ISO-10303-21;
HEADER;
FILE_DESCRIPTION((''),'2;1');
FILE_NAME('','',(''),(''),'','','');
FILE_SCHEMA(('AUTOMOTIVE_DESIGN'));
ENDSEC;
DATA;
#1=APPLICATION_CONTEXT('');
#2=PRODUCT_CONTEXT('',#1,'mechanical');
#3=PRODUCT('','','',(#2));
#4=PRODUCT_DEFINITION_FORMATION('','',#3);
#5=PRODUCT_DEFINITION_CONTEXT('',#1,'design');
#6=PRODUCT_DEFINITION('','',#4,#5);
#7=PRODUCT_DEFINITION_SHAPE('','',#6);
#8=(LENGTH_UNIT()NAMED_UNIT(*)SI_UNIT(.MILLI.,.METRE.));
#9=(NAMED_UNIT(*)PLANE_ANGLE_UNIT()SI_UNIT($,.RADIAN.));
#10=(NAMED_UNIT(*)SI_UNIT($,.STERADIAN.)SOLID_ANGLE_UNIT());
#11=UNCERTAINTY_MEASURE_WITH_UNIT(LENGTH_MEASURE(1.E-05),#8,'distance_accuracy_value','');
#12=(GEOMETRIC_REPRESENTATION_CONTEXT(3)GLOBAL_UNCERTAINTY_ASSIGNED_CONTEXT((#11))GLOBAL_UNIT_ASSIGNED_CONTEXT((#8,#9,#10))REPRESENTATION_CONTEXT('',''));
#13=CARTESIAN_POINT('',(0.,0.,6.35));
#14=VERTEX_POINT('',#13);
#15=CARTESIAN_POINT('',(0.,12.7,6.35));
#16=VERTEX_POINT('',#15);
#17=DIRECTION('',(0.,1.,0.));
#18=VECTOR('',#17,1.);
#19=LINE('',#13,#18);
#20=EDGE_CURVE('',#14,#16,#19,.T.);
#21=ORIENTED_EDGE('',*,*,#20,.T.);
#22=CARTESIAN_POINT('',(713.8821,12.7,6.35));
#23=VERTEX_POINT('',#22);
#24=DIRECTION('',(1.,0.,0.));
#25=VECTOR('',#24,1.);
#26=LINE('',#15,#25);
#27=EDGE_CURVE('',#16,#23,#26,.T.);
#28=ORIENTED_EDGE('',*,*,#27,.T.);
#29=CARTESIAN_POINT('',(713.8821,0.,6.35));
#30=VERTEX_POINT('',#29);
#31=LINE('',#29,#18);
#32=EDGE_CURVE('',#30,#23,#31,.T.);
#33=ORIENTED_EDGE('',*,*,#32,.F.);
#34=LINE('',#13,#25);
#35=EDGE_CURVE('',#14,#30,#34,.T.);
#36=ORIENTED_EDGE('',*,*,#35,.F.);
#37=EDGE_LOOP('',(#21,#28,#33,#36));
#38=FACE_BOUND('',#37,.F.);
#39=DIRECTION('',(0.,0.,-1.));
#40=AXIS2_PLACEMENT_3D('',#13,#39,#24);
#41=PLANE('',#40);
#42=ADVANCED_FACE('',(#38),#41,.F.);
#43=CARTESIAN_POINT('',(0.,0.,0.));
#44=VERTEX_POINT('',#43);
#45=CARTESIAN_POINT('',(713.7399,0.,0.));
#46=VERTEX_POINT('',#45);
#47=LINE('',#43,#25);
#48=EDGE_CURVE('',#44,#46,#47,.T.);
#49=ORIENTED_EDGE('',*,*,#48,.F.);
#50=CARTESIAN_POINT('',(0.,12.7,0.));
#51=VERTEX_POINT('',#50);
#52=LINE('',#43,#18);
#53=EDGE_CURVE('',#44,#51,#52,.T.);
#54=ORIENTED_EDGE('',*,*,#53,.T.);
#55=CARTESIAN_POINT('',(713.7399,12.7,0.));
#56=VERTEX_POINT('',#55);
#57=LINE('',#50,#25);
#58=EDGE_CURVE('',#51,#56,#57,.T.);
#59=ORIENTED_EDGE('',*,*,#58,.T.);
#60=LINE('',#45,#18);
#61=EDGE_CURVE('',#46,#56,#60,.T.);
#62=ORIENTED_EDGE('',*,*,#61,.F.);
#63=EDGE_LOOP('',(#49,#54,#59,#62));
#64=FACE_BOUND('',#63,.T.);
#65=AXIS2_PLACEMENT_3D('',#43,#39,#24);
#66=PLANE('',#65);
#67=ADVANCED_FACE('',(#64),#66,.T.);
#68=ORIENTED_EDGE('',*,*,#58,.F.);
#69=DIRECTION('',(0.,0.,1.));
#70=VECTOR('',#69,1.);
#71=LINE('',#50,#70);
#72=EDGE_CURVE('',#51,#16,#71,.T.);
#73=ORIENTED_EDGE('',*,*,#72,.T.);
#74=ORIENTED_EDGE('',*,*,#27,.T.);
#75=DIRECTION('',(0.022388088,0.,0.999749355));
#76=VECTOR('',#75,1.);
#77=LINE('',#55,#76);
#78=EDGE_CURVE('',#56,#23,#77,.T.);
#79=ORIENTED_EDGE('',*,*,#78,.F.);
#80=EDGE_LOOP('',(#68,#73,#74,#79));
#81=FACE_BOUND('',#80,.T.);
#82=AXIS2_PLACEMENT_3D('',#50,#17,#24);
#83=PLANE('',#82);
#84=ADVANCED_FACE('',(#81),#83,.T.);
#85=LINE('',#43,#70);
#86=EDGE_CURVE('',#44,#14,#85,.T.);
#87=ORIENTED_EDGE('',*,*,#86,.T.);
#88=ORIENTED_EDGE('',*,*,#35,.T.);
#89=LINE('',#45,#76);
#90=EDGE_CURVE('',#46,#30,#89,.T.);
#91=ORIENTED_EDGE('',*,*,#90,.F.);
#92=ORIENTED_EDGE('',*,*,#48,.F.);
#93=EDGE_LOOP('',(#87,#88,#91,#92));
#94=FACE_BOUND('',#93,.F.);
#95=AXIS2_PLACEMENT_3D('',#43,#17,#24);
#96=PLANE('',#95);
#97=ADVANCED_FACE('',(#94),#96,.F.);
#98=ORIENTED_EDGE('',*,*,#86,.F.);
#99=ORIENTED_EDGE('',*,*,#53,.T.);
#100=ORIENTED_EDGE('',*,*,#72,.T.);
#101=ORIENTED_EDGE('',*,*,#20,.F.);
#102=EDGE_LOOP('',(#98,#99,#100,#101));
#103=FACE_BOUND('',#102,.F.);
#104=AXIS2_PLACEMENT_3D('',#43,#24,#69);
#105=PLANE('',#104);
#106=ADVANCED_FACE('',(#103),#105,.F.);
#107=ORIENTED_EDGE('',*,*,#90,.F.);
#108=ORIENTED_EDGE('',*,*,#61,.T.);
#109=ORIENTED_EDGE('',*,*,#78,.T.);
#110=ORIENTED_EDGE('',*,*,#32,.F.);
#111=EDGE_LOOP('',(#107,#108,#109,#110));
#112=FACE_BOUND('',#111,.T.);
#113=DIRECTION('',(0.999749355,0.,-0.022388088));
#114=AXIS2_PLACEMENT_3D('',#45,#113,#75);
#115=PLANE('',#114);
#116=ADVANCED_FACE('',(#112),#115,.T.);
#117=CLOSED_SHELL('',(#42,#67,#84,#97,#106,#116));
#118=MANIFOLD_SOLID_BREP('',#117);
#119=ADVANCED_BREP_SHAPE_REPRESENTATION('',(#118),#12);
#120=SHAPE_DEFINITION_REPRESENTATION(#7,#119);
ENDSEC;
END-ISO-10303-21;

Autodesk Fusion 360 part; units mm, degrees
sketch "Sketch1" plane through (0, 0, 0) normal (0, 1, 0) x (1, 0, 0)
  line L0 (0, 0) -> (0, -6.35)
  line L1 (0, -6.35) -> (713.8821, -6.35)
  line L2 (0, 0) -> (713.7399, 0)
  line L3 (713.7399, 0) -> (713.8821, -6.35)
  dimension "d1" = 6.35
  dimension "d2" = 713.8821
extrude "Extrude2" add sketch "Sketch1" along normal blind 12.7
equation "d1 = Height"
equation "d2 = Length"
equation "Width = 0.500 in"
equation "Height = 0.250 in"
equation "Load = 400.00 lbforce"
equation "Elastic_Modulus = 9993100 psi"
equation "Max_Delta = 0.009 in"
equation "Length = Width * Height * Max_Delta * Elastic_Modulus / Load"
equation "d11 = Width"
